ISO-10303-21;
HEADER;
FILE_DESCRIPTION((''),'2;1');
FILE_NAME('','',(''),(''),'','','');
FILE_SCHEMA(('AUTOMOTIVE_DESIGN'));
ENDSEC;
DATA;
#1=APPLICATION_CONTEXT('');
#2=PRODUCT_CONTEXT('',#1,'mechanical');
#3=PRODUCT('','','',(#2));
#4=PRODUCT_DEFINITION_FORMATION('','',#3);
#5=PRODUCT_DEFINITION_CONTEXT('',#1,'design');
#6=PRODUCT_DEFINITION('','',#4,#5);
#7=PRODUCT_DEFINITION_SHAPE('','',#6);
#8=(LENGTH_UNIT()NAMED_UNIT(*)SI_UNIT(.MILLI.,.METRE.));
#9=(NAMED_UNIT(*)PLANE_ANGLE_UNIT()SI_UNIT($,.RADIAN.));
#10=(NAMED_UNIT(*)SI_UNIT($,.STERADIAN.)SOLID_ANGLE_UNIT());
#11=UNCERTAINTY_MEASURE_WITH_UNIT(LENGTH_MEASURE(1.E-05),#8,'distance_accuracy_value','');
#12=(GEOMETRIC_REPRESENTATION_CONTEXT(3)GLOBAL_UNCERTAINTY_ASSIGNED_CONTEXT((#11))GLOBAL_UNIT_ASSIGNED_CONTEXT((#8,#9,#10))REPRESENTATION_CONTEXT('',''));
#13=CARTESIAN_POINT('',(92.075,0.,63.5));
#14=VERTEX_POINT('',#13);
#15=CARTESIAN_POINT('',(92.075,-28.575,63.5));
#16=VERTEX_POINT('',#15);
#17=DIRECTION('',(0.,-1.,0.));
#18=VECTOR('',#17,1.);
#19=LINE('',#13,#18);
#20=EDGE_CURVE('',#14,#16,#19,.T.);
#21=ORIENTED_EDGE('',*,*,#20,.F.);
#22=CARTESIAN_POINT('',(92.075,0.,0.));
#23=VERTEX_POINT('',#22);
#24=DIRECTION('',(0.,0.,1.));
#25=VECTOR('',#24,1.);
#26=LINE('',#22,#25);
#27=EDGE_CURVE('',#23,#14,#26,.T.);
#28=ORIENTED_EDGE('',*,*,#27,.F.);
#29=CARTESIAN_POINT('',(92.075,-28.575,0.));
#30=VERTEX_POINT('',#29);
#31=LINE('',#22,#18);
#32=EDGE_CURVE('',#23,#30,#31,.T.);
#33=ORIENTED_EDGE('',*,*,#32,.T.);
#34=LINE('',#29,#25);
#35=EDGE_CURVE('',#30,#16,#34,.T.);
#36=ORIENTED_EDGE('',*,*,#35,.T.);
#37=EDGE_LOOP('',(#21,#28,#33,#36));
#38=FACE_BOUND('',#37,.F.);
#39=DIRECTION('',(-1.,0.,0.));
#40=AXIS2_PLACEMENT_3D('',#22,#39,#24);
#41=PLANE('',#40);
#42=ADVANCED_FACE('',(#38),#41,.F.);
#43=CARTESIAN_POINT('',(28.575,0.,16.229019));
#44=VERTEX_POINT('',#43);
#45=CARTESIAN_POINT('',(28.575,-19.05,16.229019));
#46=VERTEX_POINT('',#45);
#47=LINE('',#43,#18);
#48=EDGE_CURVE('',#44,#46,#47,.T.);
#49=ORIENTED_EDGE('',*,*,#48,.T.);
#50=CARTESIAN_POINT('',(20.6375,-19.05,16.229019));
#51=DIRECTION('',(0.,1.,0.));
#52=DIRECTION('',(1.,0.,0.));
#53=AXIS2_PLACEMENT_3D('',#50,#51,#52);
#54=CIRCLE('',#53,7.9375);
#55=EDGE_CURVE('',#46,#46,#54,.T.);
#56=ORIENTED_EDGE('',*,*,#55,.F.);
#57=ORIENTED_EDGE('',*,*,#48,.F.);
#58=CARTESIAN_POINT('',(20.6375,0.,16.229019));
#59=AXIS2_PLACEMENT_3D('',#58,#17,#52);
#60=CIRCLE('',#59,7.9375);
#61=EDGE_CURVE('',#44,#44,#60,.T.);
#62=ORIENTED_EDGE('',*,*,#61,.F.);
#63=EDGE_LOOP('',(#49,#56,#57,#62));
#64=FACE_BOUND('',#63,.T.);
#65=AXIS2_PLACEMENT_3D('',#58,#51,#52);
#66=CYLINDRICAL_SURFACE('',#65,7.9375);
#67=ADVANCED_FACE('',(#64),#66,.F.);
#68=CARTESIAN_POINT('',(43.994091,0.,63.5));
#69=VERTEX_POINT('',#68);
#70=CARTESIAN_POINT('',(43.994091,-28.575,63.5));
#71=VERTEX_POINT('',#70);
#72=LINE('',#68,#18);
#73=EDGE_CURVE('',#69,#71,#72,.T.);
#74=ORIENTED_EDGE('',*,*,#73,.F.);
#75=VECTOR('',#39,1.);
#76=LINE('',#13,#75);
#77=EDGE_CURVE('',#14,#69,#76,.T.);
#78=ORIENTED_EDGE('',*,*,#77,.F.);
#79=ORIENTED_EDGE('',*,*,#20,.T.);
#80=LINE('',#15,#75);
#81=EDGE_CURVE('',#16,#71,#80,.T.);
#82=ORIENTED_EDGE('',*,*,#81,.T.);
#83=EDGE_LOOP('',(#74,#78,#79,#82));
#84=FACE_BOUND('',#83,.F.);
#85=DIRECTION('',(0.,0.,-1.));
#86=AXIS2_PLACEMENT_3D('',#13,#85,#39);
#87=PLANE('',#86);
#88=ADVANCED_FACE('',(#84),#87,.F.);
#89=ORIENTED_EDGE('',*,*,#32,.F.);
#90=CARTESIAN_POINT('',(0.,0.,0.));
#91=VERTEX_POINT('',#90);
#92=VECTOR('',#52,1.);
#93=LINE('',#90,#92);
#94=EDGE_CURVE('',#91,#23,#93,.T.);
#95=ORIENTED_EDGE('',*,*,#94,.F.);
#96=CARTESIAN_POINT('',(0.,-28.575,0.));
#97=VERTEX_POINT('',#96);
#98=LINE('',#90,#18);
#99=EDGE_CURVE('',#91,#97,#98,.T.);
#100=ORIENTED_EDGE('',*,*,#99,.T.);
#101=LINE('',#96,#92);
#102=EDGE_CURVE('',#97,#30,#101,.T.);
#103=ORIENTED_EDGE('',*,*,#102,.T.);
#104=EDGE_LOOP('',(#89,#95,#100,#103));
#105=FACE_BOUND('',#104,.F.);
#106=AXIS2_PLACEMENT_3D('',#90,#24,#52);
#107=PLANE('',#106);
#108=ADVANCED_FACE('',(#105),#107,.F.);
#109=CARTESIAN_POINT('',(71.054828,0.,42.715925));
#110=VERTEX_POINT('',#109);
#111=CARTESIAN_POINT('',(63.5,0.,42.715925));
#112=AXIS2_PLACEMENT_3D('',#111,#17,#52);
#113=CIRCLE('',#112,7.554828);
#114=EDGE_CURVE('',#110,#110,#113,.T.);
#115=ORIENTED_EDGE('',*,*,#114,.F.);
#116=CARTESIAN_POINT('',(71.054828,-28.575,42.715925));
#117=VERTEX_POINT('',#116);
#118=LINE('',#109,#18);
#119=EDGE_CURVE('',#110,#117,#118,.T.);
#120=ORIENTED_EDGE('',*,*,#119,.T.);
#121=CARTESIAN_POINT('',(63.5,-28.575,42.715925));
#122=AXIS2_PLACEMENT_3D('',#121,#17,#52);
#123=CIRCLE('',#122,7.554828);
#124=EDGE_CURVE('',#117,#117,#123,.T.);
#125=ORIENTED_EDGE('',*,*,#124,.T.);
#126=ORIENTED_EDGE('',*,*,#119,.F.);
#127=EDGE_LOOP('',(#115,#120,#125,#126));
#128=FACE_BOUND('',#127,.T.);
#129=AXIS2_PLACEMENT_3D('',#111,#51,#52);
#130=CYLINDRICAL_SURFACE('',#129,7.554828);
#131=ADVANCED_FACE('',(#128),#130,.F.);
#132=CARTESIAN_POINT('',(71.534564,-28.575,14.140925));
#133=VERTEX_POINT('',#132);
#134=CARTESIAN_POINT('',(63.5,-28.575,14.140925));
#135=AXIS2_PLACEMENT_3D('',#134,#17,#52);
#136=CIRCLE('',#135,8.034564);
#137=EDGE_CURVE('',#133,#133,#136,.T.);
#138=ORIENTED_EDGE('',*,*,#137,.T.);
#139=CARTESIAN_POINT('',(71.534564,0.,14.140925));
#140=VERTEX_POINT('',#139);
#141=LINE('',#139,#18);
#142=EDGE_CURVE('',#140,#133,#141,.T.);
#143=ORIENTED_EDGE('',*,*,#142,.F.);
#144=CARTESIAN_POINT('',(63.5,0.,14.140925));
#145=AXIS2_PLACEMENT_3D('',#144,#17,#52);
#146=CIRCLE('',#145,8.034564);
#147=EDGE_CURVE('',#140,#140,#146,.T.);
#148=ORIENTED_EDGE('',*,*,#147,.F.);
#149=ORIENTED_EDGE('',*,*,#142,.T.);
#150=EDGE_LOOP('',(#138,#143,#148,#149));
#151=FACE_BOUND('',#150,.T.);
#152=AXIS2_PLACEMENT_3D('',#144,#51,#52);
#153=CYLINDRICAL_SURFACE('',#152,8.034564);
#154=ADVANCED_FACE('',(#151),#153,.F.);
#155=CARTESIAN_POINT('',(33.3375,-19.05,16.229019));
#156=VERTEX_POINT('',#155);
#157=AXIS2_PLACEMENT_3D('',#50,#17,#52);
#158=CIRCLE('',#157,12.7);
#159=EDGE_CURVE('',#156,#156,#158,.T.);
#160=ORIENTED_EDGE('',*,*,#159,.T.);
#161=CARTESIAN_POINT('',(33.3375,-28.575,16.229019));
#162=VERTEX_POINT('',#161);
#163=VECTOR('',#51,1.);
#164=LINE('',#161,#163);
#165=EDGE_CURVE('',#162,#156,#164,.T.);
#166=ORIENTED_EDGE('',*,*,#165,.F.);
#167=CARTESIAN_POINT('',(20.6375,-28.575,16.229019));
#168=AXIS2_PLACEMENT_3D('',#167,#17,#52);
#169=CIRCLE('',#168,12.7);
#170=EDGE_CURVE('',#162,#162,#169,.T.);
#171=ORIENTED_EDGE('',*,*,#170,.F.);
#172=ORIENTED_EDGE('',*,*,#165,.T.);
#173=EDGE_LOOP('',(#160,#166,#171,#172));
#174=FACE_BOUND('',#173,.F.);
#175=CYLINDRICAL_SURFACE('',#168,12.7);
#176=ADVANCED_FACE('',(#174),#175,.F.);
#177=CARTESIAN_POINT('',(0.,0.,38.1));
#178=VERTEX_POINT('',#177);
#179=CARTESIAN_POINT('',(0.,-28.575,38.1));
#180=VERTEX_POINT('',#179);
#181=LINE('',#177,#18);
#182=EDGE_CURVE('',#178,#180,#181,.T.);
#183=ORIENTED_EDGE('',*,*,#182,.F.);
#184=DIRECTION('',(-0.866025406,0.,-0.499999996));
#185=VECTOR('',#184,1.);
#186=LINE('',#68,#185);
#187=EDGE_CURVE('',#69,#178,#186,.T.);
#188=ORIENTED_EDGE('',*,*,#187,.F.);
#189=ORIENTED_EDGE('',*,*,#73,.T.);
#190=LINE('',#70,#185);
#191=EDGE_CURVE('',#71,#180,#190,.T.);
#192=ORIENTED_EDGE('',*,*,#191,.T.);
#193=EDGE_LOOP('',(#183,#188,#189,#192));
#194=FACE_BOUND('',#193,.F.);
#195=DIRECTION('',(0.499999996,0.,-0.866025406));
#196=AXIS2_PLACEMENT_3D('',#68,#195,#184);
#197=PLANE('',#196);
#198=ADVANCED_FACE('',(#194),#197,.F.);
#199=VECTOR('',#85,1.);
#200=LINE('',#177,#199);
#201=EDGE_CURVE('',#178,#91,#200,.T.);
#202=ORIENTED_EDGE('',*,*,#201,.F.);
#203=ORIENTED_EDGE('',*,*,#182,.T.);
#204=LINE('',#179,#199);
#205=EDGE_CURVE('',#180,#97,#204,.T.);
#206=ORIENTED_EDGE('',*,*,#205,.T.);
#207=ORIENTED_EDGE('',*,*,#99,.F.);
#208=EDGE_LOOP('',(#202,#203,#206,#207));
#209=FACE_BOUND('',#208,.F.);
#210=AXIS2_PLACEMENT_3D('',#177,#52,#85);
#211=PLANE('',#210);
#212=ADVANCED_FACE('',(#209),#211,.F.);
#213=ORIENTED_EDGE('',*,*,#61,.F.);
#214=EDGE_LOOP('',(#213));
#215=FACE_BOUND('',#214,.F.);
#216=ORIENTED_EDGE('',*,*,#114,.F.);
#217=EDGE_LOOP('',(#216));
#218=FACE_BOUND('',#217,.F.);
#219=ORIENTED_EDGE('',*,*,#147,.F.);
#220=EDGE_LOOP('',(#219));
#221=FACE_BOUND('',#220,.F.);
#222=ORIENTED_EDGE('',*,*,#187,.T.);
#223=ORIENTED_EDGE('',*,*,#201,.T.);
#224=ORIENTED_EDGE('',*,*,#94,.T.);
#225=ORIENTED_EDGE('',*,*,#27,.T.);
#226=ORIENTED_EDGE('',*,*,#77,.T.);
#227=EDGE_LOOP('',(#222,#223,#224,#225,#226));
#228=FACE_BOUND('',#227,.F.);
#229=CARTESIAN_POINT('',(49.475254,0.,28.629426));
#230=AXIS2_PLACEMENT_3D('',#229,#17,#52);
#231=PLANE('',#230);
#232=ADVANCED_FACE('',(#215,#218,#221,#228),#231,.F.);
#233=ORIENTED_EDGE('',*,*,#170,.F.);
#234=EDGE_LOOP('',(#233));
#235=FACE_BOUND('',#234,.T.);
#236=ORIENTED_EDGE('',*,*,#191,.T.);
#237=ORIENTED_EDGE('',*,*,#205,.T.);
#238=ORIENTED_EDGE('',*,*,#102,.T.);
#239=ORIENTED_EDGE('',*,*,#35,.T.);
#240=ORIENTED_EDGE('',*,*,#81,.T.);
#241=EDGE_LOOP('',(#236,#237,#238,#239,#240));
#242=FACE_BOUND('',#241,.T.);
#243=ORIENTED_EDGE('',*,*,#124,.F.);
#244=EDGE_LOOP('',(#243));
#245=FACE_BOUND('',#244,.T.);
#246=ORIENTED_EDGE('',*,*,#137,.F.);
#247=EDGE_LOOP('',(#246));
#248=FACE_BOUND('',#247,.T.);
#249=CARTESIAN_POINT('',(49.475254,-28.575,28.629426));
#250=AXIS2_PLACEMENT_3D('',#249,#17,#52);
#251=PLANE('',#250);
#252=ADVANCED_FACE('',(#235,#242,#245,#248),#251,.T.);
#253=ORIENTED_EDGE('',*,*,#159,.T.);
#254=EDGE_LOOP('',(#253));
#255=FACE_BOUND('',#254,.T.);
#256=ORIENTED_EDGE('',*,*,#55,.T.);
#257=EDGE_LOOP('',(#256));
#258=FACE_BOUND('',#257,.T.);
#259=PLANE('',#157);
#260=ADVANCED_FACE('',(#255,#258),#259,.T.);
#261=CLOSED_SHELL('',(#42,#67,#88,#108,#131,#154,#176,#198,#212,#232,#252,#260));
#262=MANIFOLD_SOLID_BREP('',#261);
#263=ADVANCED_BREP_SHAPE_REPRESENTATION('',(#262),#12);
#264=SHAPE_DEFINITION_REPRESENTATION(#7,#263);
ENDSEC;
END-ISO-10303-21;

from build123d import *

# Parameters (mm, degrees)
F0_R     = 7.9375
F0_R_2   = 8.034564
F0_R_3   = 7.554828
F1_DEPTH = 28.575
F2_R     = 12.7
F3_DEPTH = 9.525


with BuildPart() as f1:
    # F0 (on Front) → F1 (new body)
    with BuildSketch(Plane.XZ):
        Polygon((0, 38.1), (0, 0), (92.075, 0), (92.075, 63.5), (43.994091, 63.5), align=None)
        with Locations((20.6375, 16.229019)):
            Circle(F0_R, mode=Mode.SUBTRACT)
        with Locations((63.5, 14.140925)):
            Circle(F0_R_2, mode=Mode.SUBTRACT)
        with Locations((63.5, 42.715925)):
            Circle(F0_R_3, mode=Mode.SUBTRACT)
    extrude(amount=F1_DEPTH)

    # F2 (on face) → F3 (cut)
    with BuildSketch(Plane.XZ.offset(28.575)):
        with Locations((20.6375, 16.229019)):
            Circle(F2_R)
    extrude(amount=-F3_DEPTH, mode=Mode.SUBTRACT)


solid = f1.part
